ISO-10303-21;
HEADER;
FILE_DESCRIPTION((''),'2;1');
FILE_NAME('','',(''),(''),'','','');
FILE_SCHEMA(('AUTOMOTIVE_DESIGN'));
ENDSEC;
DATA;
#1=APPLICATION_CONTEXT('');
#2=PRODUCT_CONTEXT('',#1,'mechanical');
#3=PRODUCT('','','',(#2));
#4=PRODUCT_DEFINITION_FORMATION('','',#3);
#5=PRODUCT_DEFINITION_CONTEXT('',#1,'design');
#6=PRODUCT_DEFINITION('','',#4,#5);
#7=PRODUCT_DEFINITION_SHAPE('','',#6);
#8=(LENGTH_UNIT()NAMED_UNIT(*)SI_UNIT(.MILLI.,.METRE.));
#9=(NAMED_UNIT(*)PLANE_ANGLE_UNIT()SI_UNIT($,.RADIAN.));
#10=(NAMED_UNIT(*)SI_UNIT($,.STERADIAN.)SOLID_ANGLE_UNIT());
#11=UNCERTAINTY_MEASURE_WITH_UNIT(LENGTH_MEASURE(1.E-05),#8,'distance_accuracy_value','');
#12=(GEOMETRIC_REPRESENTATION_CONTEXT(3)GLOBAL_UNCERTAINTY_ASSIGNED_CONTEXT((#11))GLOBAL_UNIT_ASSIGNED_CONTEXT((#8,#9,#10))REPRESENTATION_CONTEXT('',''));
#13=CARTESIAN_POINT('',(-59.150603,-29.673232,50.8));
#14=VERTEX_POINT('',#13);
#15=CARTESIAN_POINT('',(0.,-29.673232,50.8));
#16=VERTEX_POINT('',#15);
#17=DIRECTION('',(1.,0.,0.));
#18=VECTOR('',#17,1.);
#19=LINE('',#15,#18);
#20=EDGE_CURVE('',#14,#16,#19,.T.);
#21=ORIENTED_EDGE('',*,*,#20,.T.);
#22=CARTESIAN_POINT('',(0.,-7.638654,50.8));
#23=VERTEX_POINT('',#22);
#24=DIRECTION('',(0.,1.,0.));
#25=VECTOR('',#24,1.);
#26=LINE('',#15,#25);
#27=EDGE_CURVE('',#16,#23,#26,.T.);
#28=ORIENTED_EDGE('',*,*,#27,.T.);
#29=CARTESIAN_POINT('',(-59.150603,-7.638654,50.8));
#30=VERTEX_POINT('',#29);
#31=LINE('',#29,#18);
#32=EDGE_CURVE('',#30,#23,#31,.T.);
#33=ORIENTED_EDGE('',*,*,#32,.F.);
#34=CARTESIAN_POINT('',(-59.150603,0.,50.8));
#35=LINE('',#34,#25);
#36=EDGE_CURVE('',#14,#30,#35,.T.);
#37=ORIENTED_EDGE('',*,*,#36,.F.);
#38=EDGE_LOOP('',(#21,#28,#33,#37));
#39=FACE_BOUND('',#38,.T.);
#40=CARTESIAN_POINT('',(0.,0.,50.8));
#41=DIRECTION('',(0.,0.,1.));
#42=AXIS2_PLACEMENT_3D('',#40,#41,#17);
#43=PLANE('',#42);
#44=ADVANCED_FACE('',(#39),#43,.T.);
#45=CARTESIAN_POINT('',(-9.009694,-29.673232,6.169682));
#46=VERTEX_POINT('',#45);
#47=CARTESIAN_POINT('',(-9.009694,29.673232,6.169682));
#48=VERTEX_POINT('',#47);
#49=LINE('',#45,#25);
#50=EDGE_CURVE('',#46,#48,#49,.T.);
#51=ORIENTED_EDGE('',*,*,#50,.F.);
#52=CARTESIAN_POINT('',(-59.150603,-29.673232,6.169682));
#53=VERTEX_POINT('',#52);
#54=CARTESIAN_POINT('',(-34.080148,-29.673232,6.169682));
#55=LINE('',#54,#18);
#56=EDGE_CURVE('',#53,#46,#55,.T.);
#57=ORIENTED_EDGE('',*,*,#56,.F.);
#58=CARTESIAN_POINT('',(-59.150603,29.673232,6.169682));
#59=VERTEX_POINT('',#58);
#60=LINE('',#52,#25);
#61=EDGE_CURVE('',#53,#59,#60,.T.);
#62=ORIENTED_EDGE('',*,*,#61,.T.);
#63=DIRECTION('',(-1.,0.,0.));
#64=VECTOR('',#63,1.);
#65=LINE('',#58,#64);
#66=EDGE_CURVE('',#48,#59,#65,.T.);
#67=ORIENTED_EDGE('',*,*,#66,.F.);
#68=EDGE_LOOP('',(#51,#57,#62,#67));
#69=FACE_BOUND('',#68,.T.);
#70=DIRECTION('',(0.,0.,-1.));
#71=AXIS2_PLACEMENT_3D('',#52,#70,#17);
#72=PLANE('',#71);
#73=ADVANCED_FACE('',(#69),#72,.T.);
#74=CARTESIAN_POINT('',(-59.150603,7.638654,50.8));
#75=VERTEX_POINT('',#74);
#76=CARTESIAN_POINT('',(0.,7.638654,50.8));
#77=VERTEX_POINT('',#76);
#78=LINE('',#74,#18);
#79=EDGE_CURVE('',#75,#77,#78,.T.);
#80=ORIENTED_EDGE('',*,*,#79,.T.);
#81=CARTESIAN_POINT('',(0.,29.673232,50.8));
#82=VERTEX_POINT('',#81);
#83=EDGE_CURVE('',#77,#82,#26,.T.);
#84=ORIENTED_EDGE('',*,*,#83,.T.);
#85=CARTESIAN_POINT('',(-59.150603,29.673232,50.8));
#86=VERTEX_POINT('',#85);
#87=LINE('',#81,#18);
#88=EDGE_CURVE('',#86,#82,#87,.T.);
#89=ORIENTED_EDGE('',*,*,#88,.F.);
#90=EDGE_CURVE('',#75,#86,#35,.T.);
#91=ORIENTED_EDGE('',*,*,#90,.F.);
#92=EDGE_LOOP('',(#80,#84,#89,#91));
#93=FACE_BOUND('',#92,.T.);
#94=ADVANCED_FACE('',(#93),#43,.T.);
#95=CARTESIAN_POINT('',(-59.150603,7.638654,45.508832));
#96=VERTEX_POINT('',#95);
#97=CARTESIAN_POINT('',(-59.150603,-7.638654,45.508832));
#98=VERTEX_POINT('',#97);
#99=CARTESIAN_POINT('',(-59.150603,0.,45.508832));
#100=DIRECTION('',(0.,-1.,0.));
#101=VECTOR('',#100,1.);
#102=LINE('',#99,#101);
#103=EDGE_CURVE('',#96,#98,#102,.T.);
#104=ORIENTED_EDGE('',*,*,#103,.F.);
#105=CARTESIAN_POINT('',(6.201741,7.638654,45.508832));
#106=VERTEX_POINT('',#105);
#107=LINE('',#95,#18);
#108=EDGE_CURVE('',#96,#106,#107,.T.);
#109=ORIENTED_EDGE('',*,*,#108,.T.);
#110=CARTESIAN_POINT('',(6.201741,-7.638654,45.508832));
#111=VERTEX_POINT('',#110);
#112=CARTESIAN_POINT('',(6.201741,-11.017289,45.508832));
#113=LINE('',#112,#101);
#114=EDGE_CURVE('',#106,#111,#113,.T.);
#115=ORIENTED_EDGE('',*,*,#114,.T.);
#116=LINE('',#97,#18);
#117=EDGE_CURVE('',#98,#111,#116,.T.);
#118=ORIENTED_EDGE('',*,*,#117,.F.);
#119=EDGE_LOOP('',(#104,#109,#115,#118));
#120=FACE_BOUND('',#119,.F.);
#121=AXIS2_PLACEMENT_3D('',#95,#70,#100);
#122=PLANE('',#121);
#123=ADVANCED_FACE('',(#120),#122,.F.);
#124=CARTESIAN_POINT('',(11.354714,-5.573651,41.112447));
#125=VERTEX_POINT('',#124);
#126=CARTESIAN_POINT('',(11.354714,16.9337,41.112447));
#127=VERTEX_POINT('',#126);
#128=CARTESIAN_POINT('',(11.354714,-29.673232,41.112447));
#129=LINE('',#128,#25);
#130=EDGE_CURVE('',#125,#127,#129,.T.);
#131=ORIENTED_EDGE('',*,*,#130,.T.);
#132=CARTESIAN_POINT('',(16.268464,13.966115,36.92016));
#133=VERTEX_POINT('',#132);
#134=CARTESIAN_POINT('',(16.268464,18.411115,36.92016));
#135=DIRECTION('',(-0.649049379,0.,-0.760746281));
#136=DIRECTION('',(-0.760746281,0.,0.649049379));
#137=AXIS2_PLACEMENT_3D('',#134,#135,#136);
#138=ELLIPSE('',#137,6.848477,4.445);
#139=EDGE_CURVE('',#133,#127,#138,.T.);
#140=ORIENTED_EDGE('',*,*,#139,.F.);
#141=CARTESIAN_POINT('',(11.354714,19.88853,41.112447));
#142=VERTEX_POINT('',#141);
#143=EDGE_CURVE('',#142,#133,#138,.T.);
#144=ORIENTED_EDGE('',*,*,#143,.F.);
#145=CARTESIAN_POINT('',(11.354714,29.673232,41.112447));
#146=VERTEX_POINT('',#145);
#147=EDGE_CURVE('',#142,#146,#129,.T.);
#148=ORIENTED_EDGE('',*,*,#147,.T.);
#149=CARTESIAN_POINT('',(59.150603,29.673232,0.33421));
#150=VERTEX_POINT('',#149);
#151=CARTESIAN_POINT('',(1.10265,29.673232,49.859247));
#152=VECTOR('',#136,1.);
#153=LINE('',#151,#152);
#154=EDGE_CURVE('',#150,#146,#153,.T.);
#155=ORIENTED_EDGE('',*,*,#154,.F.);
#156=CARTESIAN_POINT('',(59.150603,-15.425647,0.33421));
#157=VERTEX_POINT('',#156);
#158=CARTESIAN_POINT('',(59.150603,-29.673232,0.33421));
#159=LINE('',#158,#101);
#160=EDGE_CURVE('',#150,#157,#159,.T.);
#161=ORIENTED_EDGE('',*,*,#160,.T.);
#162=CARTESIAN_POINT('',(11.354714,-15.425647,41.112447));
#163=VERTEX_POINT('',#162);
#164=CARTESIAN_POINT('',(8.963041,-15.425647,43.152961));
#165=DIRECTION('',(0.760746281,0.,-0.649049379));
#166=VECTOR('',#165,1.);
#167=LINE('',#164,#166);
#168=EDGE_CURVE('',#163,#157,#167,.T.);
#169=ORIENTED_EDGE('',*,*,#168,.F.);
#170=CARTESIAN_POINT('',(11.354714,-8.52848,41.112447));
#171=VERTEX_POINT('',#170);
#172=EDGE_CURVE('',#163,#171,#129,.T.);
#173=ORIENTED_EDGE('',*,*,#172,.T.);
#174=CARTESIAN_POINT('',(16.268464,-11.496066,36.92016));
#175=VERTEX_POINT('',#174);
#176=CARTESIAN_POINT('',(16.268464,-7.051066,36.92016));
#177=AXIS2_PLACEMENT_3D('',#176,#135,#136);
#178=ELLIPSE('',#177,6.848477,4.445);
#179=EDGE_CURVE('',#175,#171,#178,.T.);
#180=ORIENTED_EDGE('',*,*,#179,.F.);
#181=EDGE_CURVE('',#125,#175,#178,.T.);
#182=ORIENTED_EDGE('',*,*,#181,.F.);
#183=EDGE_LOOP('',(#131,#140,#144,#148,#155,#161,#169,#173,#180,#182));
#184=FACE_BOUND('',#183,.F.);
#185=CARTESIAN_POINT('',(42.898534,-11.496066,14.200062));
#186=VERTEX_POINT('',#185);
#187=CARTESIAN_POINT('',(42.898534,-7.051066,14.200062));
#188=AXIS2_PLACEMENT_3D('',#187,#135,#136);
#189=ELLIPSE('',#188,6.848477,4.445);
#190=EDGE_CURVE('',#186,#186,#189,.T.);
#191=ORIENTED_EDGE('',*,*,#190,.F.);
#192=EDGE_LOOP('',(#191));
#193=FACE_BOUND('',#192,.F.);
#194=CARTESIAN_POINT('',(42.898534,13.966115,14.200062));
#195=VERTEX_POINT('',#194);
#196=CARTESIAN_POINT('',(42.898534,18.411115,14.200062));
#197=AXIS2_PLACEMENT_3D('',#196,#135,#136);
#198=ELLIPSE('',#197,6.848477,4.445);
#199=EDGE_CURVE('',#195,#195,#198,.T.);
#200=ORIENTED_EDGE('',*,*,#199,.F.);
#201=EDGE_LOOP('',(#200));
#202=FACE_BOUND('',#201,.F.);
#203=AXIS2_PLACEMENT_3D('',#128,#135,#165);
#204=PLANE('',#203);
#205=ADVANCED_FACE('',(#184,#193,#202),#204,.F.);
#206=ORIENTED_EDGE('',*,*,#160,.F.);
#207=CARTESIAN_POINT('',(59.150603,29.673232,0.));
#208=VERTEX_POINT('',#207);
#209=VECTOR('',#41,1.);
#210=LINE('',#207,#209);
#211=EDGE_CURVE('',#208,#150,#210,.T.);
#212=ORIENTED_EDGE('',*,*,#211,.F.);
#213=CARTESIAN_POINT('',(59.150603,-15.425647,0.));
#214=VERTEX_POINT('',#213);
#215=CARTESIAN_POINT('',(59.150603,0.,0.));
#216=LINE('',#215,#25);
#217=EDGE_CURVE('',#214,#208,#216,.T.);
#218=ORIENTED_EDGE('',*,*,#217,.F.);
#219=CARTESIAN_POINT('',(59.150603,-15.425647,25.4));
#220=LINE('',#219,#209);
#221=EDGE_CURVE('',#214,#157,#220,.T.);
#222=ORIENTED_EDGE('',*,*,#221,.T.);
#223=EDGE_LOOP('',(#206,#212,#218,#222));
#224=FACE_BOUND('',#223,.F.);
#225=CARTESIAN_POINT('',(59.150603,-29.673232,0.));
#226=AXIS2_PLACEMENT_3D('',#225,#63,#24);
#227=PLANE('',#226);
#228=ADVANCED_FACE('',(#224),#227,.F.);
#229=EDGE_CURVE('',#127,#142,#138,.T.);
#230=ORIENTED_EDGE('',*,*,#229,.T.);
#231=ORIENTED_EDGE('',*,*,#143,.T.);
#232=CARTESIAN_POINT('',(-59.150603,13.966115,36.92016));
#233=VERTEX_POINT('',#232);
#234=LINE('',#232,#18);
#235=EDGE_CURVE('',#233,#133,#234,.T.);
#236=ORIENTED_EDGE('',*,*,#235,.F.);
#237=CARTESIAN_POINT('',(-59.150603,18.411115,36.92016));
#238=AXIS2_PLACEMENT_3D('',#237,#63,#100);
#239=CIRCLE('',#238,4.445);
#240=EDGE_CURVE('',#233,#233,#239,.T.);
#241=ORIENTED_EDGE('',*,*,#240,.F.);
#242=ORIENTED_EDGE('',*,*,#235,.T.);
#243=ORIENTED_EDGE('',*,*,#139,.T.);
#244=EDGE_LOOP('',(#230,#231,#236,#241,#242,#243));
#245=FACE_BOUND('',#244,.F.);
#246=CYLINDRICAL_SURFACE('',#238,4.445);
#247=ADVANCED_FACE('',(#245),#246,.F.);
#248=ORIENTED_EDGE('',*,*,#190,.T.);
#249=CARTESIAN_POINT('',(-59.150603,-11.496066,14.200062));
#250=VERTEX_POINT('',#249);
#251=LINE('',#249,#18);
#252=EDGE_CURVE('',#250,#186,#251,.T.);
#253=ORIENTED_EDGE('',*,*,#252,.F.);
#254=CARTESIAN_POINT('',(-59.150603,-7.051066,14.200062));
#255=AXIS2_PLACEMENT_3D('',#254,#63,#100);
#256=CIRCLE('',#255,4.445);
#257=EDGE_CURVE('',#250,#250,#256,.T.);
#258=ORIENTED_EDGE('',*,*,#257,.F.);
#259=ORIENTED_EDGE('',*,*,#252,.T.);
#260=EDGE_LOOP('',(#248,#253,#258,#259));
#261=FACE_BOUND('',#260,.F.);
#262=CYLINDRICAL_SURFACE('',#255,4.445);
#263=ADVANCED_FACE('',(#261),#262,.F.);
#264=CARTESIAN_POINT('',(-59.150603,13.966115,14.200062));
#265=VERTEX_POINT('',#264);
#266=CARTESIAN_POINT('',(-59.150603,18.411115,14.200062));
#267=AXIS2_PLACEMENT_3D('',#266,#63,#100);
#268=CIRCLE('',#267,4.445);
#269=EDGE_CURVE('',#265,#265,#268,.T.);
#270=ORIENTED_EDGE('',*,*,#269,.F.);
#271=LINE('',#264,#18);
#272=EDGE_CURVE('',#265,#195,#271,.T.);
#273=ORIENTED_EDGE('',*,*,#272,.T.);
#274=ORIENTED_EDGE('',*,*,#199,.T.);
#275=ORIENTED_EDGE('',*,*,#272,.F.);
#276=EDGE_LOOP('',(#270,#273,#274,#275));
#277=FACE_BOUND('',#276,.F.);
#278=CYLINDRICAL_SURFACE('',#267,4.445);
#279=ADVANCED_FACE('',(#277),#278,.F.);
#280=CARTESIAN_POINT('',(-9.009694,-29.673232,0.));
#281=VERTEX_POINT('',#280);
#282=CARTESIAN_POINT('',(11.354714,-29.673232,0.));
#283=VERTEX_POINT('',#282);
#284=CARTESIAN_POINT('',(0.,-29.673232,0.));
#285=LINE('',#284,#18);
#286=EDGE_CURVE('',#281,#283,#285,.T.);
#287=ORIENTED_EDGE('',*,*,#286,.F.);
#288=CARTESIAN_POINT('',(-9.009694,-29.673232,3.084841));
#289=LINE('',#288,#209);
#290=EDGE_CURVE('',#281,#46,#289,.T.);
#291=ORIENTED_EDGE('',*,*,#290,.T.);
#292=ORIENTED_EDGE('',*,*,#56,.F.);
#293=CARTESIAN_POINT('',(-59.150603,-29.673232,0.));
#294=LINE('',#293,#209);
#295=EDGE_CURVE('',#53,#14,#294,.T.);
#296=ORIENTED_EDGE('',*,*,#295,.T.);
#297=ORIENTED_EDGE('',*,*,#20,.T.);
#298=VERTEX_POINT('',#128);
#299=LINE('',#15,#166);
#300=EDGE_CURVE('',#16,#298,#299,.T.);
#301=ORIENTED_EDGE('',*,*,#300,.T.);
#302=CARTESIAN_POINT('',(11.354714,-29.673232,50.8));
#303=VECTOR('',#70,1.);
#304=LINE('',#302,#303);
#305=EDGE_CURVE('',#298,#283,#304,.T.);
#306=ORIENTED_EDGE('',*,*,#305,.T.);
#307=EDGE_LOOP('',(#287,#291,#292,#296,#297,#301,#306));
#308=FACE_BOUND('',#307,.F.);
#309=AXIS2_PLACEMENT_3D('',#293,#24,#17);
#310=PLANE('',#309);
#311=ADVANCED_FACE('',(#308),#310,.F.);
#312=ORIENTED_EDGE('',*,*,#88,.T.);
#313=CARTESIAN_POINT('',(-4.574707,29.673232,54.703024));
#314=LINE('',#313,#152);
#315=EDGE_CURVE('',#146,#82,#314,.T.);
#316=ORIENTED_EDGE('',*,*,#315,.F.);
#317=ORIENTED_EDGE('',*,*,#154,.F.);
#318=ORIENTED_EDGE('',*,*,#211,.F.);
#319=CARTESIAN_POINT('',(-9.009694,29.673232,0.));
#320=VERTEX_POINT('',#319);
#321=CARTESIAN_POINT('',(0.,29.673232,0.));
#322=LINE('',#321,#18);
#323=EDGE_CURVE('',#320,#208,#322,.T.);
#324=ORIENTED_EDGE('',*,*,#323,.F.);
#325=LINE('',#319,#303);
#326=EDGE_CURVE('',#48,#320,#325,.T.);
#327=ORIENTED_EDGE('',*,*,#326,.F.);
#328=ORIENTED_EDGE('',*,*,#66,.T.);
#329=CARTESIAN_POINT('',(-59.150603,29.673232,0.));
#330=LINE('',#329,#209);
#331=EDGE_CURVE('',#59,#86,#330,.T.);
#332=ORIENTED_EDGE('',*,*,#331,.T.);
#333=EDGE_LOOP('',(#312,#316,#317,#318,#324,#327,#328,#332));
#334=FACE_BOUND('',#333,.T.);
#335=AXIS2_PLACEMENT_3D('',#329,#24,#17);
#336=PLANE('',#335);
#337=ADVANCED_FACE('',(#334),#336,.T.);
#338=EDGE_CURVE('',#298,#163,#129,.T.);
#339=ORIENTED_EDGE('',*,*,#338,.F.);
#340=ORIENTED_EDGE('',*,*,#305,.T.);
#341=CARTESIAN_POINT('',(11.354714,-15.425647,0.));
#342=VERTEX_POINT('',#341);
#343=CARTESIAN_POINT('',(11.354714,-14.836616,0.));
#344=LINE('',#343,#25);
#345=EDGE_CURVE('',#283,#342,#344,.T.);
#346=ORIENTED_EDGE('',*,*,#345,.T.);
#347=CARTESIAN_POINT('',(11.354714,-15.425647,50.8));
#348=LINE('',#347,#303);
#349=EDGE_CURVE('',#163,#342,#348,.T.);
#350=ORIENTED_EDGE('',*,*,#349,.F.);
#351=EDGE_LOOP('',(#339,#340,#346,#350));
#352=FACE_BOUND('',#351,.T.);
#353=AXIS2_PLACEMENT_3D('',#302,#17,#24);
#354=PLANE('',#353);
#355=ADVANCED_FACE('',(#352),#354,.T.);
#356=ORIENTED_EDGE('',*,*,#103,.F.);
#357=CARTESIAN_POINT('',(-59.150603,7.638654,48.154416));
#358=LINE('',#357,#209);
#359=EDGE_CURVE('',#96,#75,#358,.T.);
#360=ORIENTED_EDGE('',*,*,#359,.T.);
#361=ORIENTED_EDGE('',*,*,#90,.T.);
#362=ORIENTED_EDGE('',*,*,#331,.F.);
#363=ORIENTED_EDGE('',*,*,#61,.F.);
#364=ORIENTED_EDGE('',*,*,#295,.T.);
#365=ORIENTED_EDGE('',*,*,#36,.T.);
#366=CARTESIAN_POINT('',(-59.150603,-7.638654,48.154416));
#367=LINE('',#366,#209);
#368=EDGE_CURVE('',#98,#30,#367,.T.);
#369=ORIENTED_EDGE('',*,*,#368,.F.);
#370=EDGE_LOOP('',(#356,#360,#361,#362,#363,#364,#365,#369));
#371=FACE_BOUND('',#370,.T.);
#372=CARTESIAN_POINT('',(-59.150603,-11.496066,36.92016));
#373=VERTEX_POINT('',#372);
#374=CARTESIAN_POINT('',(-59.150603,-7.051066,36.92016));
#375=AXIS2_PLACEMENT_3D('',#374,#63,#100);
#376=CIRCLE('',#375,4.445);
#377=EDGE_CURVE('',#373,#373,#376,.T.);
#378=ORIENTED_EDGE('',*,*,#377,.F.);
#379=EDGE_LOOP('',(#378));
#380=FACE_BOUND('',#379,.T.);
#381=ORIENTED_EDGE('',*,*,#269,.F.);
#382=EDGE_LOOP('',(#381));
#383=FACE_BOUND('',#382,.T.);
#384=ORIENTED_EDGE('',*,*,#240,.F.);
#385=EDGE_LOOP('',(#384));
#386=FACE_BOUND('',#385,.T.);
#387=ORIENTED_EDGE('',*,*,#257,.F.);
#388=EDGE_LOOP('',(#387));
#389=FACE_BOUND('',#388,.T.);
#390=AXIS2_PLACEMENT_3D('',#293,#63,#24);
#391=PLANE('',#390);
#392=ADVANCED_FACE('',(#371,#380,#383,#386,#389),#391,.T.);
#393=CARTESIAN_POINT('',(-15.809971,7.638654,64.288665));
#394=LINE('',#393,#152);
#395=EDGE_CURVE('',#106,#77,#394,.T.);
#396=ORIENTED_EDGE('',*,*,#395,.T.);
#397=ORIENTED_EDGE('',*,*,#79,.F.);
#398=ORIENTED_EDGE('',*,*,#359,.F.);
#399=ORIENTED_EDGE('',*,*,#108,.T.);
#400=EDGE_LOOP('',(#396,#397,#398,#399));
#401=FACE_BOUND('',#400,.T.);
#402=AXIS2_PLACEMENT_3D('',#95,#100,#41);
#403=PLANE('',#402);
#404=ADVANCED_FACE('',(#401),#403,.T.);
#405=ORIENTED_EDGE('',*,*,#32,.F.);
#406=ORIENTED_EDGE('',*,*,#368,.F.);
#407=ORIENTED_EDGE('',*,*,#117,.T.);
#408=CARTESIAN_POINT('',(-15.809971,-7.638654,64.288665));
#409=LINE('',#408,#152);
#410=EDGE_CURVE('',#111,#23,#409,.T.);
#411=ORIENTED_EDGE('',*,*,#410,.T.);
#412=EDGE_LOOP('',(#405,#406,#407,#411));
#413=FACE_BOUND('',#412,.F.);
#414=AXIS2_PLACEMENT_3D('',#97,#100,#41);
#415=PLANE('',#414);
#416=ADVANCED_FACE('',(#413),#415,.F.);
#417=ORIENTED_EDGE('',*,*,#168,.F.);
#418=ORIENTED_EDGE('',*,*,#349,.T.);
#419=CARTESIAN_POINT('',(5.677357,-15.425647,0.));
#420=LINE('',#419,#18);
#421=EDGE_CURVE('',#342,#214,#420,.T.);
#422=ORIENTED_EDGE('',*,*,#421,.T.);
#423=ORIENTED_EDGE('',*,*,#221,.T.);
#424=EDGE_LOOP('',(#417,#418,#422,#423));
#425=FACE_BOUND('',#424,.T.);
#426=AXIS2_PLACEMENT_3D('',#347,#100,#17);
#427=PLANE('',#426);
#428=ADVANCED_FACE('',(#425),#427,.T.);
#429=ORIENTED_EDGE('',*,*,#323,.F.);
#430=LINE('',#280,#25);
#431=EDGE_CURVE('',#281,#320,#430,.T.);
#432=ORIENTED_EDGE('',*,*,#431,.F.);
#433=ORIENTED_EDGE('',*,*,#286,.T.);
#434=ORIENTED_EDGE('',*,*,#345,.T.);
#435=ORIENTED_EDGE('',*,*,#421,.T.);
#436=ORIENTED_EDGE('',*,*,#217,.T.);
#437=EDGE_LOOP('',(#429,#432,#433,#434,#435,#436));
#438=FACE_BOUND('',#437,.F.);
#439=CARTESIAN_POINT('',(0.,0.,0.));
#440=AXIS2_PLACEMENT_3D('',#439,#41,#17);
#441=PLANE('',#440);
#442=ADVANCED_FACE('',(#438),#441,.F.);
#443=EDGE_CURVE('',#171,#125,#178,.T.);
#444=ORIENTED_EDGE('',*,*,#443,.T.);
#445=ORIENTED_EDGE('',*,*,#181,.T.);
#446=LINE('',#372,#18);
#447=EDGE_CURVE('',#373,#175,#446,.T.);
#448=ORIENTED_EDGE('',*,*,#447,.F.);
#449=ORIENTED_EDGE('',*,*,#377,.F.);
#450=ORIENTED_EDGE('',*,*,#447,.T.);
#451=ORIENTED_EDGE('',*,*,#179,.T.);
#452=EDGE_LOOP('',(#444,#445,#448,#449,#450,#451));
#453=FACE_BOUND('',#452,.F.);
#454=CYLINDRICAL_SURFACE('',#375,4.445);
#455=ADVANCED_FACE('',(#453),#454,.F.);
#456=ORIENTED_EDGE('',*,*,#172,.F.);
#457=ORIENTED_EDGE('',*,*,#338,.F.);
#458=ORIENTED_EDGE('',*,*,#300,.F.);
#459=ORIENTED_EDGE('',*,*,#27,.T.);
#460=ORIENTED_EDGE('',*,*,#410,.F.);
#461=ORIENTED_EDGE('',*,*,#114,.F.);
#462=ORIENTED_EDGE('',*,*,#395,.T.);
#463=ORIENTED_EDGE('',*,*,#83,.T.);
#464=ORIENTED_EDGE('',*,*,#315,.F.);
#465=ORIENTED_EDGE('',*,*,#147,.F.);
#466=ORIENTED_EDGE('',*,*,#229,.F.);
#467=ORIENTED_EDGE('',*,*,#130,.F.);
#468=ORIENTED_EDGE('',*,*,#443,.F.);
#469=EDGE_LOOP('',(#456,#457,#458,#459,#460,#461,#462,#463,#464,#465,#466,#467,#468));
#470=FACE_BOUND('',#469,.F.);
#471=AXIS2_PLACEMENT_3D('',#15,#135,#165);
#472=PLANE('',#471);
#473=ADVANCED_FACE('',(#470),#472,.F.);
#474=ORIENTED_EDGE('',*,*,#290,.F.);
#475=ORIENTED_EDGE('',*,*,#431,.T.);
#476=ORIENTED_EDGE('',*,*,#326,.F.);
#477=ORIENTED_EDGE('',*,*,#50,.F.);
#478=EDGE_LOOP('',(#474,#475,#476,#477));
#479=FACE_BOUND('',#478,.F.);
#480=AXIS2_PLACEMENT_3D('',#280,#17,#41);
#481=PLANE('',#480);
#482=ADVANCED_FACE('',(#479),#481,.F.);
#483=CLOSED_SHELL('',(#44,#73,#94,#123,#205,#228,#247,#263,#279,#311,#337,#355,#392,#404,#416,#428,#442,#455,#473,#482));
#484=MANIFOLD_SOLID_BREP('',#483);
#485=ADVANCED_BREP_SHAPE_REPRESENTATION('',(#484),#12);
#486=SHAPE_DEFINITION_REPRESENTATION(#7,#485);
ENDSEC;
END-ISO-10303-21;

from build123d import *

# Parameters (mm, degrees)
F0_W      = 118.301205337
F0_H      = 59.3464635313
F1_DEPTH  = 50.8
F2_W      = 52.4965906516
F2_H      = 14.247585088
F3_DEPTH  = 112.014
F4_W      = 50.1409089193
F4_H      = 6.169681903
F5_DEPTH  = 123.19
F7_DEPTH  = 96.52
F8_W      = 15.2773074806
F8_H      = 5.2911678412
F9_DEPTH  = 203.962
F10_R     = 4.445
F11_DEPTH = 210.566


with BuildPart() as f1:
    # F0 (on Top) → F1 (new body)
    with BuildSketch(Plane.XY):
        Rectangle(F0_W, F0_H)
    extrude(amount=F1_DEPTH)

    # F2 (on face) → F3 (cut)
    with BuildSketch(Plane.XY.offset(50.8)):
        with Locations((37.6030090265, -22.5494392216)):
            Rectangle(F2_W, F2_H)
    extrude(amount=-F3_DEPTH, mode=Mode.SUBTRACT)

    # F4 (on face) → F5 (cut)
    with BuildSketch(Plane.XZ.offset(29.6732317656)):
        with Locations((-34.0801482089, 3.0848409515)):
            Rectangle(F4_W, F4_H)
    extrude(amount=-F5_DEPTH, mode=Mode.SUBTRACT)

    # F6 (on face) → F7 (cut)
    with BuildSketch(Plane.XZ.offset(29.6732317656)):
        Polygon((11.3547137007, 50.8), (0, 50.8), (11.3547137007, 41.1124470571), align=None)
        Polygon((11.3547137007, 50.8), (11.3547137007, 41.1124470571), (59.5423281193, 0), (59.5423281193, 50.8), align=None)
    extrude(amount=-F7_DEPTH, mode=Mode.SUBTRACT)

    # F8 (on face) → F9 (cut)
    with BuildSketch(Plane(origin=(-59.1506026685, 0, 0), x_dir=(0, -1, 0), z_dir=(-1, 0, 0))):
        with Locations((0, 48.1544160794)):
            Rectangle(F8_W, F8_H)
    extrude(amount=-F9_DEPTH, mode=Mode.SUBTRACT)

    # F10 (on face) → F11 (cut)
    with BuildSketch(Plane(origin=(-59.1506026685, 0, 0), x_dir=(0, -1, 0), z_dir=(-1, 0, 0))):
        with Locations((-18.4111148119, 36.9201600552)):
            Circle(F10_R)
        with Locations((7.0510655642, 36.9201600552)):
            Circle(F10_R)
        with Locations((7.0510655642, 14.2000615597)):
            Circle(F10_R)
        with Locations((-18.4111148119, 14.2000615597)):
            Circle(F10_R)
    extrude(amount=-F11_DEPTH, mode=Mode.SUBTRACT)


solid = f1.part
